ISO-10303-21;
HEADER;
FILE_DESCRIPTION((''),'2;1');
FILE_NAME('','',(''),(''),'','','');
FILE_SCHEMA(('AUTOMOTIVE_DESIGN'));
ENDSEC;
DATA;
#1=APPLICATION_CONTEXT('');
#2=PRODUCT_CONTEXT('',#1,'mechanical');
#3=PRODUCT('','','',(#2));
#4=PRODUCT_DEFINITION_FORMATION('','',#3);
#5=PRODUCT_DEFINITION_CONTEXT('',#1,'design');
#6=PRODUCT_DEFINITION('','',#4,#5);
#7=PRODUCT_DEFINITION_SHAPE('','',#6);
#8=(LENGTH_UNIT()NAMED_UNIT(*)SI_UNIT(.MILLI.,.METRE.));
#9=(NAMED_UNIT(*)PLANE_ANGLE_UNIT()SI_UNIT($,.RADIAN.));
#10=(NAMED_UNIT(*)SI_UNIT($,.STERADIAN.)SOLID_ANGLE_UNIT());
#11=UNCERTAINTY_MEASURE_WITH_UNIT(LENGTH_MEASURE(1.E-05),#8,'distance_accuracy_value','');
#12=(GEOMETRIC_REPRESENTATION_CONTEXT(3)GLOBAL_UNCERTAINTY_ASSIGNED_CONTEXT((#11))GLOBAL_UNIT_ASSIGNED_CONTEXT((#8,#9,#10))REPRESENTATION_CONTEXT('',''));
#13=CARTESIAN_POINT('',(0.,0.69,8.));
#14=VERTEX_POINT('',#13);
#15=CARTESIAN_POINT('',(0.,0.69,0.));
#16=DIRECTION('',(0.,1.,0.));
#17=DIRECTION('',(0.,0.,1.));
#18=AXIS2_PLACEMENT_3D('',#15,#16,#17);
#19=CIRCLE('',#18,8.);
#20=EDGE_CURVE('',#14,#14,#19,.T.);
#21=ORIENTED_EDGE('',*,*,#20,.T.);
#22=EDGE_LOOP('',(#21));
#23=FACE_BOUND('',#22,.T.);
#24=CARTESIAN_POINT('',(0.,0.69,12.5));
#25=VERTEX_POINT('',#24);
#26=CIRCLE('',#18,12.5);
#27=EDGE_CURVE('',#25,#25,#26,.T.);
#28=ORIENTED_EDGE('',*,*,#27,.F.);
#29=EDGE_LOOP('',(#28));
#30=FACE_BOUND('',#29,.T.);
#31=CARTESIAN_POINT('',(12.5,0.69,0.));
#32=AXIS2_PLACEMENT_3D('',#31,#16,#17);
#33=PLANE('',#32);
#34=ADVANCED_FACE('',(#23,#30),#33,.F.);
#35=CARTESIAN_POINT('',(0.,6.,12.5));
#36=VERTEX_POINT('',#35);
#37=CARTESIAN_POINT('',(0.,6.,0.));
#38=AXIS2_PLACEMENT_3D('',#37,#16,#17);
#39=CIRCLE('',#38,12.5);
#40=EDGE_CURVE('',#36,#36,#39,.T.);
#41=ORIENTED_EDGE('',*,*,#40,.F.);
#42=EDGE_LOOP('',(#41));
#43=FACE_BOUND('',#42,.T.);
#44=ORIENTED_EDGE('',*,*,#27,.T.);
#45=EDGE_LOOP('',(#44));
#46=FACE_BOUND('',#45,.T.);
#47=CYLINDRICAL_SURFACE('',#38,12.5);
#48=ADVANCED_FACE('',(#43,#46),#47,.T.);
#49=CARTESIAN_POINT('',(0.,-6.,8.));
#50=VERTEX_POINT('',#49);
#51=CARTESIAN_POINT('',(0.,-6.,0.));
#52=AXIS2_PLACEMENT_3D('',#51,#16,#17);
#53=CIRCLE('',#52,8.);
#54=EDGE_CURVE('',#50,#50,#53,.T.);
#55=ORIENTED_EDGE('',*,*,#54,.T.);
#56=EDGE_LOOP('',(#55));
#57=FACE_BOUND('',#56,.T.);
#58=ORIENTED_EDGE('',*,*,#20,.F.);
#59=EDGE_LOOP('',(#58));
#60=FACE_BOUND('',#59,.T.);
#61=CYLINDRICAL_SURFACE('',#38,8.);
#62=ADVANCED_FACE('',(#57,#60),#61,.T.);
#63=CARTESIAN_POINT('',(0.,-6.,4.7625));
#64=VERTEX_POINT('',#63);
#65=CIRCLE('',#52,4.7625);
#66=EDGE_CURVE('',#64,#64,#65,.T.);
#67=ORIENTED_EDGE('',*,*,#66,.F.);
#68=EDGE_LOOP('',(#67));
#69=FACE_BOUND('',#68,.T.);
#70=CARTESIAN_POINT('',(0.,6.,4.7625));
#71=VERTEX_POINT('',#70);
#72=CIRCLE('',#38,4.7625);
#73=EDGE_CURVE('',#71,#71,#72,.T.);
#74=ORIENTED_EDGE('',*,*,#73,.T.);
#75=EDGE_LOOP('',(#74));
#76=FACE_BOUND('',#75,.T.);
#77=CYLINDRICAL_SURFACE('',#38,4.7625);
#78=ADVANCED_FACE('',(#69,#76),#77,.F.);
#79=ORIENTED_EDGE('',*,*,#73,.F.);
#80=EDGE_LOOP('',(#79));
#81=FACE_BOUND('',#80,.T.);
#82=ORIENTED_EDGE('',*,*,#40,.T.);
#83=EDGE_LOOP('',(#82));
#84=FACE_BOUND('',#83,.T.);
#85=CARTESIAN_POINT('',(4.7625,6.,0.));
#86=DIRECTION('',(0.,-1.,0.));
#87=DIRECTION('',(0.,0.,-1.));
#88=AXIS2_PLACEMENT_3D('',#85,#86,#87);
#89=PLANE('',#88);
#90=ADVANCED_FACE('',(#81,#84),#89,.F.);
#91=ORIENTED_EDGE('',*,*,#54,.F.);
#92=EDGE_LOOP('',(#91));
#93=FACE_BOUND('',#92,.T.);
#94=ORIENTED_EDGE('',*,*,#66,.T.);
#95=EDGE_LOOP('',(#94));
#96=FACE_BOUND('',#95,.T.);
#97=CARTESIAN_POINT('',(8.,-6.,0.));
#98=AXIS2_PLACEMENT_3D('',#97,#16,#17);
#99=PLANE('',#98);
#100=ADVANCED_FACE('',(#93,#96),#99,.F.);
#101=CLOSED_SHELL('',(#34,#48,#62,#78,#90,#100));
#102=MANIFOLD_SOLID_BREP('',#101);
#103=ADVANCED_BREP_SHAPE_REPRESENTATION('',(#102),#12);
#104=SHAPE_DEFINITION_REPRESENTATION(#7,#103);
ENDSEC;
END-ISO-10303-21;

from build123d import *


with BuildPart() as part:
    # Sketch2 → Revolve1 (revolve)
    with BuildSketch(Plane.XY, mode=Mode.PRIVATE) as revolve1_sk:
        Polygon((4.7625, -6), (4.7625, 6), (12.5, 6), (12.5, 0.69), (8, 0.69), (8, -6), align=None)
    revolve(revolve1_sk.sketch.rotate(Axis((0, 6, 0), (0, -1, 0)), 90), axis=Axis((0, 6, 0), (0, -1, 0)))


solid = part.part
